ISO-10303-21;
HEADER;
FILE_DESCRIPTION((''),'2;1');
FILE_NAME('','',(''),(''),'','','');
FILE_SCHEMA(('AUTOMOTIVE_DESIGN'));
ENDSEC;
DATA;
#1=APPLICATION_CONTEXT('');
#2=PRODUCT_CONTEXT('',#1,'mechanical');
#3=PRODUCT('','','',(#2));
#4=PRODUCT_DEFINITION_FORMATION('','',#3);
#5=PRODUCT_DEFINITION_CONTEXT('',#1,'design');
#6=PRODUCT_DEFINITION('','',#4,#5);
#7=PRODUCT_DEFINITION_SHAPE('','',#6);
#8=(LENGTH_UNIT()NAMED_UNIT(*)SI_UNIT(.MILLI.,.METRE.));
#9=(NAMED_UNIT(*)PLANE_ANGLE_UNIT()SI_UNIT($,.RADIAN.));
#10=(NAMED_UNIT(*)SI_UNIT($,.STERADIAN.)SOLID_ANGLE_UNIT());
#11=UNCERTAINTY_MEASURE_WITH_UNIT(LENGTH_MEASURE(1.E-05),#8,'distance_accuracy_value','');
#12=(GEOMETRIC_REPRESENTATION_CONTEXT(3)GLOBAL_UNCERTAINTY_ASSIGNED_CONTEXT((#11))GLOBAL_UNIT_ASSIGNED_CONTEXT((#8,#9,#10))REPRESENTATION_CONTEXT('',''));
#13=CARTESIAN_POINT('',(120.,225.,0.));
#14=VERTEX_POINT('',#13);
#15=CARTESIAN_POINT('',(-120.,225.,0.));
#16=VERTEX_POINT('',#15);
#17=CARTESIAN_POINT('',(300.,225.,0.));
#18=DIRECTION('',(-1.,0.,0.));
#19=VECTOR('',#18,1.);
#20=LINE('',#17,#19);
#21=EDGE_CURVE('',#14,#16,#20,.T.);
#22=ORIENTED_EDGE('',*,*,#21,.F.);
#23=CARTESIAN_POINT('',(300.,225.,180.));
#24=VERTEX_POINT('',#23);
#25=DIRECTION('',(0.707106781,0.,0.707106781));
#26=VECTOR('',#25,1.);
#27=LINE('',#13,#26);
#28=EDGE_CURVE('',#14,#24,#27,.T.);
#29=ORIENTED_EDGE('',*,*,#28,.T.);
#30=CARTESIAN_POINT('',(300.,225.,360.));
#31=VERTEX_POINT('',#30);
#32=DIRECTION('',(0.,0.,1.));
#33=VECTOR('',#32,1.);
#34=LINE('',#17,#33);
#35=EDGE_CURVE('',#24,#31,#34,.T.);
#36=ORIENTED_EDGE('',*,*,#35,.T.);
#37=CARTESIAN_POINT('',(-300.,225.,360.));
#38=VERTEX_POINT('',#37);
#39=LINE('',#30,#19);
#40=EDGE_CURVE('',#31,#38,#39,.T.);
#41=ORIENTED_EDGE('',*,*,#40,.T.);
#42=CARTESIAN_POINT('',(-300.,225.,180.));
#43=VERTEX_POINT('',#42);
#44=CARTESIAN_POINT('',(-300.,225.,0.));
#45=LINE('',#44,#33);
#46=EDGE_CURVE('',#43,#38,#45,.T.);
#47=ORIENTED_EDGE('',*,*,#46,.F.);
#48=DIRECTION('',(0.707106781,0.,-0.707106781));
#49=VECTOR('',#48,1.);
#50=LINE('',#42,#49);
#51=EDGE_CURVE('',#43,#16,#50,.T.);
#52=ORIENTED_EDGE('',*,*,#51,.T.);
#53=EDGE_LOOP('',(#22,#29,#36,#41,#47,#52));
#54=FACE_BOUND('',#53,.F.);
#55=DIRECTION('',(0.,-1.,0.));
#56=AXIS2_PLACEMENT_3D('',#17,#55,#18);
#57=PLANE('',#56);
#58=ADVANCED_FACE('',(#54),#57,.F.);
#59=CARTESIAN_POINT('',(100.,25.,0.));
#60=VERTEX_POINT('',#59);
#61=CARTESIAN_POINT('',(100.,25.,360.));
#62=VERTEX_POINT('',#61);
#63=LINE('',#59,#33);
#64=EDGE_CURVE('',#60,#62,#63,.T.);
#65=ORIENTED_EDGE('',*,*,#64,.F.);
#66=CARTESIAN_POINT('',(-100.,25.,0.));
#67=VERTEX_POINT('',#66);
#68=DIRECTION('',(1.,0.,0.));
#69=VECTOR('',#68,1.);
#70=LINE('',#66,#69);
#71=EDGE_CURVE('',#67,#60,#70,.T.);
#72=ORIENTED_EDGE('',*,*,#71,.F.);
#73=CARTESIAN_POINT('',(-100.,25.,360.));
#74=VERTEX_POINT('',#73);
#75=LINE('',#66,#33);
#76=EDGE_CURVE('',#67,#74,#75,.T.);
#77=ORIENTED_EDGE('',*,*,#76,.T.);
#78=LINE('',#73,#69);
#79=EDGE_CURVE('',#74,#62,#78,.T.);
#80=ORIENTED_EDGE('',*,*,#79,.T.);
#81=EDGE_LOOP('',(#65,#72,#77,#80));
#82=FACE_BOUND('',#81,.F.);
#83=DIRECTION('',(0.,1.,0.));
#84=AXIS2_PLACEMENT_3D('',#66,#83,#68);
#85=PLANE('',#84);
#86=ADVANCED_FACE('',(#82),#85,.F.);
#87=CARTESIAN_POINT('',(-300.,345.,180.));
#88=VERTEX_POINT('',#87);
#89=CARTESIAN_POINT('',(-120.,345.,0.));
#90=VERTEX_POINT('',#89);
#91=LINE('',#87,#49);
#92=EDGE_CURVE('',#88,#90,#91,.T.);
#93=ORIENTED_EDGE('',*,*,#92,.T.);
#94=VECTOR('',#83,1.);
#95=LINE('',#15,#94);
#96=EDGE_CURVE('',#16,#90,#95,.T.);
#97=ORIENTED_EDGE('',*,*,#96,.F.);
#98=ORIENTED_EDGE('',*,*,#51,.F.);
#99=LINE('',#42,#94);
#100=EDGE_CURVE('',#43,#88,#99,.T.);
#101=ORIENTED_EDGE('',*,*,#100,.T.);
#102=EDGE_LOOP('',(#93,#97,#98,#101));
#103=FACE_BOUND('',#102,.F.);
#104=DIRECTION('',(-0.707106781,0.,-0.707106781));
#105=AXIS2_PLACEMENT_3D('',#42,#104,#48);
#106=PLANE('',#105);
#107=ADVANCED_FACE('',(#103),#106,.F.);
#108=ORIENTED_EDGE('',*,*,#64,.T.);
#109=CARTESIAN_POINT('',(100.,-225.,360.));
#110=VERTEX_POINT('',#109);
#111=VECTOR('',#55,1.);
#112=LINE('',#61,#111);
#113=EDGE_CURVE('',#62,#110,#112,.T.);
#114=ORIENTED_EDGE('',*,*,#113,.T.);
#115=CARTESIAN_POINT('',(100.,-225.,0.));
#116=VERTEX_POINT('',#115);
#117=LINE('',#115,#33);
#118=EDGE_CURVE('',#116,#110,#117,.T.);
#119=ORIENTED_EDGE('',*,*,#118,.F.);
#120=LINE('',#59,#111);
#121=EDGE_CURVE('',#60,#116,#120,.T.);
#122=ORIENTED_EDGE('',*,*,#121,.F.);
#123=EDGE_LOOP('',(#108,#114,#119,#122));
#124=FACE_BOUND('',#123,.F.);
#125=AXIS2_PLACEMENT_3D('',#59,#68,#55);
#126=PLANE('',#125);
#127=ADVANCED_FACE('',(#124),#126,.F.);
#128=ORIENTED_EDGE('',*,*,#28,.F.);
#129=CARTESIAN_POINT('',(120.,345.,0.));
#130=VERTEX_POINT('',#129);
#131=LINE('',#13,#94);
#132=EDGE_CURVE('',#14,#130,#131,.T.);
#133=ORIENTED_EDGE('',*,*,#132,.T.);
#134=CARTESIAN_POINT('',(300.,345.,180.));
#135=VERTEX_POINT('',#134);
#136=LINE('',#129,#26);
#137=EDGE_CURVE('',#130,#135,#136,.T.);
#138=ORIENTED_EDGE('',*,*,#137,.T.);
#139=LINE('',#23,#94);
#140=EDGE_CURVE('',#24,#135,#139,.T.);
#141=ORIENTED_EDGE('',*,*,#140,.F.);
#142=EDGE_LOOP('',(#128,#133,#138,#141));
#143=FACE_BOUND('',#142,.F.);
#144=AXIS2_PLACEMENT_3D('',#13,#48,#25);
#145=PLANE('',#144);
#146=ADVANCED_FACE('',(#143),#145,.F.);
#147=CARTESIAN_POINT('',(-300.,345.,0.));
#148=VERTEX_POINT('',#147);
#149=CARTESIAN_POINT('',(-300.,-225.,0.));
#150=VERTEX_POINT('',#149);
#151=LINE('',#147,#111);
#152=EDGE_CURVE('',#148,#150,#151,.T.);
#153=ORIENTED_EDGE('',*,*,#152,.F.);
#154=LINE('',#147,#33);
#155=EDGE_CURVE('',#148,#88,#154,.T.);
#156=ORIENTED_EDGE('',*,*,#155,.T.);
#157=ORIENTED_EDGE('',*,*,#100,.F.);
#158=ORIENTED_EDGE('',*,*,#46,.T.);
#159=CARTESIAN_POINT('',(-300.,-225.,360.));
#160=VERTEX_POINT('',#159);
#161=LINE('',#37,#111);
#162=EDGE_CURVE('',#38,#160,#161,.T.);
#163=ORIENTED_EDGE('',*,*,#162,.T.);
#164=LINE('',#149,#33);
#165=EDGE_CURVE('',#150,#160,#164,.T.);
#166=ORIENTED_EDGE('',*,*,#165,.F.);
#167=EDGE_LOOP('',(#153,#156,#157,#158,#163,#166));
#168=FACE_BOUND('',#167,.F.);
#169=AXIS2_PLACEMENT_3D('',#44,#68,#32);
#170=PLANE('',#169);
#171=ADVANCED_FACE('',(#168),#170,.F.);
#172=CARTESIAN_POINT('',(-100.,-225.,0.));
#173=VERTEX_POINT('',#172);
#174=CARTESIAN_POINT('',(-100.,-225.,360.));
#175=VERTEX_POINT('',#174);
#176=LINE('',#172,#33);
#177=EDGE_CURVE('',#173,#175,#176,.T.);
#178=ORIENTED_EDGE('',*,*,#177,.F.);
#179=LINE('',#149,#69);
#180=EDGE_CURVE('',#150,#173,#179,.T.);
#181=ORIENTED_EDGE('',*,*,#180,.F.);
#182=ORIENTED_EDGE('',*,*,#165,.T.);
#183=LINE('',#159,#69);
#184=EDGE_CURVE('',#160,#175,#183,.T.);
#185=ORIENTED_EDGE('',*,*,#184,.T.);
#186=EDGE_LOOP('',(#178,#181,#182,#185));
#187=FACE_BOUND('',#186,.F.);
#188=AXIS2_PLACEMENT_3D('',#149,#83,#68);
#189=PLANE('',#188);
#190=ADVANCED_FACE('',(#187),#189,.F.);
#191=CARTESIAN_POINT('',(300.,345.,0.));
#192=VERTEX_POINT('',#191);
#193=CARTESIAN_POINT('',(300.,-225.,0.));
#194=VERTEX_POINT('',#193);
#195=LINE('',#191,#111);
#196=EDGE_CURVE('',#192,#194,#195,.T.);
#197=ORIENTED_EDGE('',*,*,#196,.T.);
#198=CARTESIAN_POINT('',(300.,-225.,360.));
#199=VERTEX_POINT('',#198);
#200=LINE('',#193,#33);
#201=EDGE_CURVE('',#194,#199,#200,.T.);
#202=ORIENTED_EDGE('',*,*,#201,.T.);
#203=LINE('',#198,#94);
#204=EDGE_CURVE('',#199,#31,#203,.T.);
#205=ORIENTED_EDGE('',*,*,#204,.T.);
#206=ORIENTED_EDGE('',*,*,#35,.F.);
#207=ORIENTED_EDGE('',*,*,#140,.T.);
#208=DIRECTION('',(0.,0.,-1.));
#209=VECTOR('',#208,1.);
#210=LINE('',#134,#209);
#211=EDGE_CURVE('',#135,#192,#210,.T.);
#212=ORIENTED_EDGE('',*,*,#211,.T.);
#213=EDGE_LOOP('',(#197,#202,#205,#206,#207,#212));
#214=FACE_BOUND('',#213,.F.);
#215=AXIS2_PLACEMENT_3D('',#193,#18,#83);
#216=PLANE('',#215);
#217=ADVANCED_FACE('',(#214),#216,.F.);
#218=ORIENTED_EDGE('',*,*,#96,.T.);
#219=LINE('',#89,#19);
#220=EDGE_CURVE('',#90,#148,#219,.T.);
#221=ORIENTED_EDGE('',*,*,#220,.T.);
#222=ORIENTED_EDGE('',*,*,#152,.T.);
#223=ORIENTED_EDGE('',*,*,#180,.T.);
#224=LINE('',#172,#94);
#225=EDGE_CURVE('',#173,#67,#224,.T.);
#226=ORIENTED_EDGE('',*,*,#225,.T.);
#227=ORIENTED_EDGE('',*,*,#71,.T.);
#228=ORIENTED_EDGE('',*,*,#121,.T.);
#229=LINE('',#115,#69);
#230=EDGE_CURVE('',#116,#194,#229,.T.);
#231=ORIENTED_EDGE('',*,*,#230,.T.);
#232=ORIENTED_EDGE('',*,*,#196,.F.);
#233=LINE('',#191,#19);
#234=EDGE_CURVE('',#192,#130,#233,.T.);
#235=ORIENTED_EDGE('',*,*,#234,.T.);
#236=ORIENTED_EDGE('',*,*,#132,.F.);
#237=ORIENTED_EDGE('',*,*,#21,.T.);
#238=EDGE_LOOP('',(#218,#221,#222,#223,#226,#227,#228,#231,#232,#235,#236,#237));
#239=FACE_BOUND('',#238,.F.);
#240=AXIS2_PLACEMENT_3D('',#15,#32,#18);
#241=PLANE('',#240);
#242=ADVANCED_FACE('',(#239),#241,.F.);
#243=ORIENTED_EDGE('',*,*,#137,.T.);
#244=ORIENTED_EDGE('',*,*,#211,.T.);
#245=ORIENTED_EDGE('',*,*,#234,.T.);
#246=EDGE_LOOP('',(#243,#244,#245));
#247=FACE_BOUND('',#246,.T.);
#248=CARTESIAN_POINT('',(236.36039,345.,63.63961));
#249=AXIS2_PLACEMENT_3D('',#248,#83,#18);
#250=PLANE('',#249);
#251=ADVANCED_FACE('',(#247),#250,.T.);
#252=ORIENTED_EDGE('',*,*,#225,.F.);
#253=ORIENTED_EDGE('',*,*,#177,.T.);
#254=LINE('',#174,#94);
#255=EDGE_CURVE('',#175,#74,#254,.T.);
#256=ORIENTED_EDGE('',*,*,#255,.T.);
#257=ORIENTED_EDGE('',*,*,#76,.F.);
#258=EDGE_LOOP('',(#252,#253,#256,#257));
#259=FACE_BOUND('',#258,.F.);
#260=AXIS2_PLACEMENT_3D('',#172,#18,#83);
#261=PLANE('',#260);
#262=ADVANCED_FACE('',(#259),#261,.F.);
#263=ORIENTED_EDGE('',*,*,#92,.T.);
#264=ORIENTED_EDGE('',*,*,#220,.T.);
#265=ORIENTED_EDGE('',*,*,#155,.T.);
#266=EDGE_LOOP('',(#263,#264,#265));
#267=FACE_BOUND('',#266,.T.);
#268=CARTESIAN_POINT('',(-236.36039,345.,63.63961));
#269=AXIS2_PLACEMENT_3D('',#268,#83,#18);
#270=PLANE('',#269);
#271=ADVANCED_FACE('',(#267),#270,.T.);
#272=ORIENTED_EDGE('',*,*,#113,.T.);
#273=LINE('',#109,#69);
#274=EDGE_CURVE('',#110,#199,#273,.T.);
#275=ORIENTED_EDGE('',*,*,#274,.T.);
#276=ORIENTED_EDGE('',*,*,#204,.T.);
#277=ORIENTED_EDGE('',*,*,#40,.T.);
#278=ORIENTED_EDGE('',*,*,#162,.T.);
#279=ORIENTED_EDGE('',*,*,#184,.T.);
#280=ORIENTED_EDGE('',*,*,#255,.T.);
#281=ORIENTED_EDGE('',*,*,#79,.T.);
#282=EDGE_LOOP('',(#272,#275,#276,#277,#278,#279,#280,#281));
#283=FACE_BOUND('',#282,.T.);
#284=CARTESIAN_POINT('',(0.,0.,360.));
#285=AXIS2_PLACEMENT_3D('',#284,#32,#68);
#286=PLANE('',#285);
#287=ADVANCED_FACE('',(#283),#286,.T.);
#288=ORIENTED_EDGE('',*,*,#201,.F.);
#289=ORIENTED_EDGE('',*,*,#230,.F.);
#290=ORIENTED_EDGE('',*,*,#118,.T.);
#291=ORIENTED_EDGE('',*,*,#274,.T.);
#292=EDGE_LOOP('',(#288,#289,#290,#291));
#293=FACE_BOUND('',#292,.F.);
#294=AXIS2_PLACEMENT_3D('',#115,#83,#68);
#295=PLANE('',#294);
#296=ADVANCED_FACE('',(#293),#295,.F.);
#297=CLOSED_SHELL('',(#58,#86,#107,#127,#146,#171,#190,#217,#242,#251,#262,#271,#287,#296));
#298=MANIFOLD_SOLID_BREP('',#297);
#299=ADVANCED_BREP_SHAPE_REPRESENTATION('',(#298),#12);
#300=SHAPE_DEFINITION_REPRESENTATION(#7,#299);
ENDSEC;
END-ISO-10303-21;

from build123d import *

# Parameters (mm, degrees)
F1_DEPTH = 360
F3_DEPTH = 120


with BuildPart() as f1:
    # F0 (on Top) → F1 (new body)
    with BuildSketch(Plane.XY):
        Polygon((100, -225), (300, -225), (300, 225), (-300, 225), (-300, -225), (-100, -225), (-100, 25), (100, 25), align=None)
    extrude(amount=F1_DEPTH)

    # F2 (on face) → F3 (join)
    with BuildSketch(Plane(origin=(0, 225, 0), x_dir=(-1, 0, 0), z_dir=(0, 1, 0))):
        Polygon((300, 180), (120, 0), (300, 0), align=None)
        Polygon((-300, 0), (-120, 0), (-300, 180), align=None)
    extrude(amount=F3_DEPTH)


solid = f1.part
